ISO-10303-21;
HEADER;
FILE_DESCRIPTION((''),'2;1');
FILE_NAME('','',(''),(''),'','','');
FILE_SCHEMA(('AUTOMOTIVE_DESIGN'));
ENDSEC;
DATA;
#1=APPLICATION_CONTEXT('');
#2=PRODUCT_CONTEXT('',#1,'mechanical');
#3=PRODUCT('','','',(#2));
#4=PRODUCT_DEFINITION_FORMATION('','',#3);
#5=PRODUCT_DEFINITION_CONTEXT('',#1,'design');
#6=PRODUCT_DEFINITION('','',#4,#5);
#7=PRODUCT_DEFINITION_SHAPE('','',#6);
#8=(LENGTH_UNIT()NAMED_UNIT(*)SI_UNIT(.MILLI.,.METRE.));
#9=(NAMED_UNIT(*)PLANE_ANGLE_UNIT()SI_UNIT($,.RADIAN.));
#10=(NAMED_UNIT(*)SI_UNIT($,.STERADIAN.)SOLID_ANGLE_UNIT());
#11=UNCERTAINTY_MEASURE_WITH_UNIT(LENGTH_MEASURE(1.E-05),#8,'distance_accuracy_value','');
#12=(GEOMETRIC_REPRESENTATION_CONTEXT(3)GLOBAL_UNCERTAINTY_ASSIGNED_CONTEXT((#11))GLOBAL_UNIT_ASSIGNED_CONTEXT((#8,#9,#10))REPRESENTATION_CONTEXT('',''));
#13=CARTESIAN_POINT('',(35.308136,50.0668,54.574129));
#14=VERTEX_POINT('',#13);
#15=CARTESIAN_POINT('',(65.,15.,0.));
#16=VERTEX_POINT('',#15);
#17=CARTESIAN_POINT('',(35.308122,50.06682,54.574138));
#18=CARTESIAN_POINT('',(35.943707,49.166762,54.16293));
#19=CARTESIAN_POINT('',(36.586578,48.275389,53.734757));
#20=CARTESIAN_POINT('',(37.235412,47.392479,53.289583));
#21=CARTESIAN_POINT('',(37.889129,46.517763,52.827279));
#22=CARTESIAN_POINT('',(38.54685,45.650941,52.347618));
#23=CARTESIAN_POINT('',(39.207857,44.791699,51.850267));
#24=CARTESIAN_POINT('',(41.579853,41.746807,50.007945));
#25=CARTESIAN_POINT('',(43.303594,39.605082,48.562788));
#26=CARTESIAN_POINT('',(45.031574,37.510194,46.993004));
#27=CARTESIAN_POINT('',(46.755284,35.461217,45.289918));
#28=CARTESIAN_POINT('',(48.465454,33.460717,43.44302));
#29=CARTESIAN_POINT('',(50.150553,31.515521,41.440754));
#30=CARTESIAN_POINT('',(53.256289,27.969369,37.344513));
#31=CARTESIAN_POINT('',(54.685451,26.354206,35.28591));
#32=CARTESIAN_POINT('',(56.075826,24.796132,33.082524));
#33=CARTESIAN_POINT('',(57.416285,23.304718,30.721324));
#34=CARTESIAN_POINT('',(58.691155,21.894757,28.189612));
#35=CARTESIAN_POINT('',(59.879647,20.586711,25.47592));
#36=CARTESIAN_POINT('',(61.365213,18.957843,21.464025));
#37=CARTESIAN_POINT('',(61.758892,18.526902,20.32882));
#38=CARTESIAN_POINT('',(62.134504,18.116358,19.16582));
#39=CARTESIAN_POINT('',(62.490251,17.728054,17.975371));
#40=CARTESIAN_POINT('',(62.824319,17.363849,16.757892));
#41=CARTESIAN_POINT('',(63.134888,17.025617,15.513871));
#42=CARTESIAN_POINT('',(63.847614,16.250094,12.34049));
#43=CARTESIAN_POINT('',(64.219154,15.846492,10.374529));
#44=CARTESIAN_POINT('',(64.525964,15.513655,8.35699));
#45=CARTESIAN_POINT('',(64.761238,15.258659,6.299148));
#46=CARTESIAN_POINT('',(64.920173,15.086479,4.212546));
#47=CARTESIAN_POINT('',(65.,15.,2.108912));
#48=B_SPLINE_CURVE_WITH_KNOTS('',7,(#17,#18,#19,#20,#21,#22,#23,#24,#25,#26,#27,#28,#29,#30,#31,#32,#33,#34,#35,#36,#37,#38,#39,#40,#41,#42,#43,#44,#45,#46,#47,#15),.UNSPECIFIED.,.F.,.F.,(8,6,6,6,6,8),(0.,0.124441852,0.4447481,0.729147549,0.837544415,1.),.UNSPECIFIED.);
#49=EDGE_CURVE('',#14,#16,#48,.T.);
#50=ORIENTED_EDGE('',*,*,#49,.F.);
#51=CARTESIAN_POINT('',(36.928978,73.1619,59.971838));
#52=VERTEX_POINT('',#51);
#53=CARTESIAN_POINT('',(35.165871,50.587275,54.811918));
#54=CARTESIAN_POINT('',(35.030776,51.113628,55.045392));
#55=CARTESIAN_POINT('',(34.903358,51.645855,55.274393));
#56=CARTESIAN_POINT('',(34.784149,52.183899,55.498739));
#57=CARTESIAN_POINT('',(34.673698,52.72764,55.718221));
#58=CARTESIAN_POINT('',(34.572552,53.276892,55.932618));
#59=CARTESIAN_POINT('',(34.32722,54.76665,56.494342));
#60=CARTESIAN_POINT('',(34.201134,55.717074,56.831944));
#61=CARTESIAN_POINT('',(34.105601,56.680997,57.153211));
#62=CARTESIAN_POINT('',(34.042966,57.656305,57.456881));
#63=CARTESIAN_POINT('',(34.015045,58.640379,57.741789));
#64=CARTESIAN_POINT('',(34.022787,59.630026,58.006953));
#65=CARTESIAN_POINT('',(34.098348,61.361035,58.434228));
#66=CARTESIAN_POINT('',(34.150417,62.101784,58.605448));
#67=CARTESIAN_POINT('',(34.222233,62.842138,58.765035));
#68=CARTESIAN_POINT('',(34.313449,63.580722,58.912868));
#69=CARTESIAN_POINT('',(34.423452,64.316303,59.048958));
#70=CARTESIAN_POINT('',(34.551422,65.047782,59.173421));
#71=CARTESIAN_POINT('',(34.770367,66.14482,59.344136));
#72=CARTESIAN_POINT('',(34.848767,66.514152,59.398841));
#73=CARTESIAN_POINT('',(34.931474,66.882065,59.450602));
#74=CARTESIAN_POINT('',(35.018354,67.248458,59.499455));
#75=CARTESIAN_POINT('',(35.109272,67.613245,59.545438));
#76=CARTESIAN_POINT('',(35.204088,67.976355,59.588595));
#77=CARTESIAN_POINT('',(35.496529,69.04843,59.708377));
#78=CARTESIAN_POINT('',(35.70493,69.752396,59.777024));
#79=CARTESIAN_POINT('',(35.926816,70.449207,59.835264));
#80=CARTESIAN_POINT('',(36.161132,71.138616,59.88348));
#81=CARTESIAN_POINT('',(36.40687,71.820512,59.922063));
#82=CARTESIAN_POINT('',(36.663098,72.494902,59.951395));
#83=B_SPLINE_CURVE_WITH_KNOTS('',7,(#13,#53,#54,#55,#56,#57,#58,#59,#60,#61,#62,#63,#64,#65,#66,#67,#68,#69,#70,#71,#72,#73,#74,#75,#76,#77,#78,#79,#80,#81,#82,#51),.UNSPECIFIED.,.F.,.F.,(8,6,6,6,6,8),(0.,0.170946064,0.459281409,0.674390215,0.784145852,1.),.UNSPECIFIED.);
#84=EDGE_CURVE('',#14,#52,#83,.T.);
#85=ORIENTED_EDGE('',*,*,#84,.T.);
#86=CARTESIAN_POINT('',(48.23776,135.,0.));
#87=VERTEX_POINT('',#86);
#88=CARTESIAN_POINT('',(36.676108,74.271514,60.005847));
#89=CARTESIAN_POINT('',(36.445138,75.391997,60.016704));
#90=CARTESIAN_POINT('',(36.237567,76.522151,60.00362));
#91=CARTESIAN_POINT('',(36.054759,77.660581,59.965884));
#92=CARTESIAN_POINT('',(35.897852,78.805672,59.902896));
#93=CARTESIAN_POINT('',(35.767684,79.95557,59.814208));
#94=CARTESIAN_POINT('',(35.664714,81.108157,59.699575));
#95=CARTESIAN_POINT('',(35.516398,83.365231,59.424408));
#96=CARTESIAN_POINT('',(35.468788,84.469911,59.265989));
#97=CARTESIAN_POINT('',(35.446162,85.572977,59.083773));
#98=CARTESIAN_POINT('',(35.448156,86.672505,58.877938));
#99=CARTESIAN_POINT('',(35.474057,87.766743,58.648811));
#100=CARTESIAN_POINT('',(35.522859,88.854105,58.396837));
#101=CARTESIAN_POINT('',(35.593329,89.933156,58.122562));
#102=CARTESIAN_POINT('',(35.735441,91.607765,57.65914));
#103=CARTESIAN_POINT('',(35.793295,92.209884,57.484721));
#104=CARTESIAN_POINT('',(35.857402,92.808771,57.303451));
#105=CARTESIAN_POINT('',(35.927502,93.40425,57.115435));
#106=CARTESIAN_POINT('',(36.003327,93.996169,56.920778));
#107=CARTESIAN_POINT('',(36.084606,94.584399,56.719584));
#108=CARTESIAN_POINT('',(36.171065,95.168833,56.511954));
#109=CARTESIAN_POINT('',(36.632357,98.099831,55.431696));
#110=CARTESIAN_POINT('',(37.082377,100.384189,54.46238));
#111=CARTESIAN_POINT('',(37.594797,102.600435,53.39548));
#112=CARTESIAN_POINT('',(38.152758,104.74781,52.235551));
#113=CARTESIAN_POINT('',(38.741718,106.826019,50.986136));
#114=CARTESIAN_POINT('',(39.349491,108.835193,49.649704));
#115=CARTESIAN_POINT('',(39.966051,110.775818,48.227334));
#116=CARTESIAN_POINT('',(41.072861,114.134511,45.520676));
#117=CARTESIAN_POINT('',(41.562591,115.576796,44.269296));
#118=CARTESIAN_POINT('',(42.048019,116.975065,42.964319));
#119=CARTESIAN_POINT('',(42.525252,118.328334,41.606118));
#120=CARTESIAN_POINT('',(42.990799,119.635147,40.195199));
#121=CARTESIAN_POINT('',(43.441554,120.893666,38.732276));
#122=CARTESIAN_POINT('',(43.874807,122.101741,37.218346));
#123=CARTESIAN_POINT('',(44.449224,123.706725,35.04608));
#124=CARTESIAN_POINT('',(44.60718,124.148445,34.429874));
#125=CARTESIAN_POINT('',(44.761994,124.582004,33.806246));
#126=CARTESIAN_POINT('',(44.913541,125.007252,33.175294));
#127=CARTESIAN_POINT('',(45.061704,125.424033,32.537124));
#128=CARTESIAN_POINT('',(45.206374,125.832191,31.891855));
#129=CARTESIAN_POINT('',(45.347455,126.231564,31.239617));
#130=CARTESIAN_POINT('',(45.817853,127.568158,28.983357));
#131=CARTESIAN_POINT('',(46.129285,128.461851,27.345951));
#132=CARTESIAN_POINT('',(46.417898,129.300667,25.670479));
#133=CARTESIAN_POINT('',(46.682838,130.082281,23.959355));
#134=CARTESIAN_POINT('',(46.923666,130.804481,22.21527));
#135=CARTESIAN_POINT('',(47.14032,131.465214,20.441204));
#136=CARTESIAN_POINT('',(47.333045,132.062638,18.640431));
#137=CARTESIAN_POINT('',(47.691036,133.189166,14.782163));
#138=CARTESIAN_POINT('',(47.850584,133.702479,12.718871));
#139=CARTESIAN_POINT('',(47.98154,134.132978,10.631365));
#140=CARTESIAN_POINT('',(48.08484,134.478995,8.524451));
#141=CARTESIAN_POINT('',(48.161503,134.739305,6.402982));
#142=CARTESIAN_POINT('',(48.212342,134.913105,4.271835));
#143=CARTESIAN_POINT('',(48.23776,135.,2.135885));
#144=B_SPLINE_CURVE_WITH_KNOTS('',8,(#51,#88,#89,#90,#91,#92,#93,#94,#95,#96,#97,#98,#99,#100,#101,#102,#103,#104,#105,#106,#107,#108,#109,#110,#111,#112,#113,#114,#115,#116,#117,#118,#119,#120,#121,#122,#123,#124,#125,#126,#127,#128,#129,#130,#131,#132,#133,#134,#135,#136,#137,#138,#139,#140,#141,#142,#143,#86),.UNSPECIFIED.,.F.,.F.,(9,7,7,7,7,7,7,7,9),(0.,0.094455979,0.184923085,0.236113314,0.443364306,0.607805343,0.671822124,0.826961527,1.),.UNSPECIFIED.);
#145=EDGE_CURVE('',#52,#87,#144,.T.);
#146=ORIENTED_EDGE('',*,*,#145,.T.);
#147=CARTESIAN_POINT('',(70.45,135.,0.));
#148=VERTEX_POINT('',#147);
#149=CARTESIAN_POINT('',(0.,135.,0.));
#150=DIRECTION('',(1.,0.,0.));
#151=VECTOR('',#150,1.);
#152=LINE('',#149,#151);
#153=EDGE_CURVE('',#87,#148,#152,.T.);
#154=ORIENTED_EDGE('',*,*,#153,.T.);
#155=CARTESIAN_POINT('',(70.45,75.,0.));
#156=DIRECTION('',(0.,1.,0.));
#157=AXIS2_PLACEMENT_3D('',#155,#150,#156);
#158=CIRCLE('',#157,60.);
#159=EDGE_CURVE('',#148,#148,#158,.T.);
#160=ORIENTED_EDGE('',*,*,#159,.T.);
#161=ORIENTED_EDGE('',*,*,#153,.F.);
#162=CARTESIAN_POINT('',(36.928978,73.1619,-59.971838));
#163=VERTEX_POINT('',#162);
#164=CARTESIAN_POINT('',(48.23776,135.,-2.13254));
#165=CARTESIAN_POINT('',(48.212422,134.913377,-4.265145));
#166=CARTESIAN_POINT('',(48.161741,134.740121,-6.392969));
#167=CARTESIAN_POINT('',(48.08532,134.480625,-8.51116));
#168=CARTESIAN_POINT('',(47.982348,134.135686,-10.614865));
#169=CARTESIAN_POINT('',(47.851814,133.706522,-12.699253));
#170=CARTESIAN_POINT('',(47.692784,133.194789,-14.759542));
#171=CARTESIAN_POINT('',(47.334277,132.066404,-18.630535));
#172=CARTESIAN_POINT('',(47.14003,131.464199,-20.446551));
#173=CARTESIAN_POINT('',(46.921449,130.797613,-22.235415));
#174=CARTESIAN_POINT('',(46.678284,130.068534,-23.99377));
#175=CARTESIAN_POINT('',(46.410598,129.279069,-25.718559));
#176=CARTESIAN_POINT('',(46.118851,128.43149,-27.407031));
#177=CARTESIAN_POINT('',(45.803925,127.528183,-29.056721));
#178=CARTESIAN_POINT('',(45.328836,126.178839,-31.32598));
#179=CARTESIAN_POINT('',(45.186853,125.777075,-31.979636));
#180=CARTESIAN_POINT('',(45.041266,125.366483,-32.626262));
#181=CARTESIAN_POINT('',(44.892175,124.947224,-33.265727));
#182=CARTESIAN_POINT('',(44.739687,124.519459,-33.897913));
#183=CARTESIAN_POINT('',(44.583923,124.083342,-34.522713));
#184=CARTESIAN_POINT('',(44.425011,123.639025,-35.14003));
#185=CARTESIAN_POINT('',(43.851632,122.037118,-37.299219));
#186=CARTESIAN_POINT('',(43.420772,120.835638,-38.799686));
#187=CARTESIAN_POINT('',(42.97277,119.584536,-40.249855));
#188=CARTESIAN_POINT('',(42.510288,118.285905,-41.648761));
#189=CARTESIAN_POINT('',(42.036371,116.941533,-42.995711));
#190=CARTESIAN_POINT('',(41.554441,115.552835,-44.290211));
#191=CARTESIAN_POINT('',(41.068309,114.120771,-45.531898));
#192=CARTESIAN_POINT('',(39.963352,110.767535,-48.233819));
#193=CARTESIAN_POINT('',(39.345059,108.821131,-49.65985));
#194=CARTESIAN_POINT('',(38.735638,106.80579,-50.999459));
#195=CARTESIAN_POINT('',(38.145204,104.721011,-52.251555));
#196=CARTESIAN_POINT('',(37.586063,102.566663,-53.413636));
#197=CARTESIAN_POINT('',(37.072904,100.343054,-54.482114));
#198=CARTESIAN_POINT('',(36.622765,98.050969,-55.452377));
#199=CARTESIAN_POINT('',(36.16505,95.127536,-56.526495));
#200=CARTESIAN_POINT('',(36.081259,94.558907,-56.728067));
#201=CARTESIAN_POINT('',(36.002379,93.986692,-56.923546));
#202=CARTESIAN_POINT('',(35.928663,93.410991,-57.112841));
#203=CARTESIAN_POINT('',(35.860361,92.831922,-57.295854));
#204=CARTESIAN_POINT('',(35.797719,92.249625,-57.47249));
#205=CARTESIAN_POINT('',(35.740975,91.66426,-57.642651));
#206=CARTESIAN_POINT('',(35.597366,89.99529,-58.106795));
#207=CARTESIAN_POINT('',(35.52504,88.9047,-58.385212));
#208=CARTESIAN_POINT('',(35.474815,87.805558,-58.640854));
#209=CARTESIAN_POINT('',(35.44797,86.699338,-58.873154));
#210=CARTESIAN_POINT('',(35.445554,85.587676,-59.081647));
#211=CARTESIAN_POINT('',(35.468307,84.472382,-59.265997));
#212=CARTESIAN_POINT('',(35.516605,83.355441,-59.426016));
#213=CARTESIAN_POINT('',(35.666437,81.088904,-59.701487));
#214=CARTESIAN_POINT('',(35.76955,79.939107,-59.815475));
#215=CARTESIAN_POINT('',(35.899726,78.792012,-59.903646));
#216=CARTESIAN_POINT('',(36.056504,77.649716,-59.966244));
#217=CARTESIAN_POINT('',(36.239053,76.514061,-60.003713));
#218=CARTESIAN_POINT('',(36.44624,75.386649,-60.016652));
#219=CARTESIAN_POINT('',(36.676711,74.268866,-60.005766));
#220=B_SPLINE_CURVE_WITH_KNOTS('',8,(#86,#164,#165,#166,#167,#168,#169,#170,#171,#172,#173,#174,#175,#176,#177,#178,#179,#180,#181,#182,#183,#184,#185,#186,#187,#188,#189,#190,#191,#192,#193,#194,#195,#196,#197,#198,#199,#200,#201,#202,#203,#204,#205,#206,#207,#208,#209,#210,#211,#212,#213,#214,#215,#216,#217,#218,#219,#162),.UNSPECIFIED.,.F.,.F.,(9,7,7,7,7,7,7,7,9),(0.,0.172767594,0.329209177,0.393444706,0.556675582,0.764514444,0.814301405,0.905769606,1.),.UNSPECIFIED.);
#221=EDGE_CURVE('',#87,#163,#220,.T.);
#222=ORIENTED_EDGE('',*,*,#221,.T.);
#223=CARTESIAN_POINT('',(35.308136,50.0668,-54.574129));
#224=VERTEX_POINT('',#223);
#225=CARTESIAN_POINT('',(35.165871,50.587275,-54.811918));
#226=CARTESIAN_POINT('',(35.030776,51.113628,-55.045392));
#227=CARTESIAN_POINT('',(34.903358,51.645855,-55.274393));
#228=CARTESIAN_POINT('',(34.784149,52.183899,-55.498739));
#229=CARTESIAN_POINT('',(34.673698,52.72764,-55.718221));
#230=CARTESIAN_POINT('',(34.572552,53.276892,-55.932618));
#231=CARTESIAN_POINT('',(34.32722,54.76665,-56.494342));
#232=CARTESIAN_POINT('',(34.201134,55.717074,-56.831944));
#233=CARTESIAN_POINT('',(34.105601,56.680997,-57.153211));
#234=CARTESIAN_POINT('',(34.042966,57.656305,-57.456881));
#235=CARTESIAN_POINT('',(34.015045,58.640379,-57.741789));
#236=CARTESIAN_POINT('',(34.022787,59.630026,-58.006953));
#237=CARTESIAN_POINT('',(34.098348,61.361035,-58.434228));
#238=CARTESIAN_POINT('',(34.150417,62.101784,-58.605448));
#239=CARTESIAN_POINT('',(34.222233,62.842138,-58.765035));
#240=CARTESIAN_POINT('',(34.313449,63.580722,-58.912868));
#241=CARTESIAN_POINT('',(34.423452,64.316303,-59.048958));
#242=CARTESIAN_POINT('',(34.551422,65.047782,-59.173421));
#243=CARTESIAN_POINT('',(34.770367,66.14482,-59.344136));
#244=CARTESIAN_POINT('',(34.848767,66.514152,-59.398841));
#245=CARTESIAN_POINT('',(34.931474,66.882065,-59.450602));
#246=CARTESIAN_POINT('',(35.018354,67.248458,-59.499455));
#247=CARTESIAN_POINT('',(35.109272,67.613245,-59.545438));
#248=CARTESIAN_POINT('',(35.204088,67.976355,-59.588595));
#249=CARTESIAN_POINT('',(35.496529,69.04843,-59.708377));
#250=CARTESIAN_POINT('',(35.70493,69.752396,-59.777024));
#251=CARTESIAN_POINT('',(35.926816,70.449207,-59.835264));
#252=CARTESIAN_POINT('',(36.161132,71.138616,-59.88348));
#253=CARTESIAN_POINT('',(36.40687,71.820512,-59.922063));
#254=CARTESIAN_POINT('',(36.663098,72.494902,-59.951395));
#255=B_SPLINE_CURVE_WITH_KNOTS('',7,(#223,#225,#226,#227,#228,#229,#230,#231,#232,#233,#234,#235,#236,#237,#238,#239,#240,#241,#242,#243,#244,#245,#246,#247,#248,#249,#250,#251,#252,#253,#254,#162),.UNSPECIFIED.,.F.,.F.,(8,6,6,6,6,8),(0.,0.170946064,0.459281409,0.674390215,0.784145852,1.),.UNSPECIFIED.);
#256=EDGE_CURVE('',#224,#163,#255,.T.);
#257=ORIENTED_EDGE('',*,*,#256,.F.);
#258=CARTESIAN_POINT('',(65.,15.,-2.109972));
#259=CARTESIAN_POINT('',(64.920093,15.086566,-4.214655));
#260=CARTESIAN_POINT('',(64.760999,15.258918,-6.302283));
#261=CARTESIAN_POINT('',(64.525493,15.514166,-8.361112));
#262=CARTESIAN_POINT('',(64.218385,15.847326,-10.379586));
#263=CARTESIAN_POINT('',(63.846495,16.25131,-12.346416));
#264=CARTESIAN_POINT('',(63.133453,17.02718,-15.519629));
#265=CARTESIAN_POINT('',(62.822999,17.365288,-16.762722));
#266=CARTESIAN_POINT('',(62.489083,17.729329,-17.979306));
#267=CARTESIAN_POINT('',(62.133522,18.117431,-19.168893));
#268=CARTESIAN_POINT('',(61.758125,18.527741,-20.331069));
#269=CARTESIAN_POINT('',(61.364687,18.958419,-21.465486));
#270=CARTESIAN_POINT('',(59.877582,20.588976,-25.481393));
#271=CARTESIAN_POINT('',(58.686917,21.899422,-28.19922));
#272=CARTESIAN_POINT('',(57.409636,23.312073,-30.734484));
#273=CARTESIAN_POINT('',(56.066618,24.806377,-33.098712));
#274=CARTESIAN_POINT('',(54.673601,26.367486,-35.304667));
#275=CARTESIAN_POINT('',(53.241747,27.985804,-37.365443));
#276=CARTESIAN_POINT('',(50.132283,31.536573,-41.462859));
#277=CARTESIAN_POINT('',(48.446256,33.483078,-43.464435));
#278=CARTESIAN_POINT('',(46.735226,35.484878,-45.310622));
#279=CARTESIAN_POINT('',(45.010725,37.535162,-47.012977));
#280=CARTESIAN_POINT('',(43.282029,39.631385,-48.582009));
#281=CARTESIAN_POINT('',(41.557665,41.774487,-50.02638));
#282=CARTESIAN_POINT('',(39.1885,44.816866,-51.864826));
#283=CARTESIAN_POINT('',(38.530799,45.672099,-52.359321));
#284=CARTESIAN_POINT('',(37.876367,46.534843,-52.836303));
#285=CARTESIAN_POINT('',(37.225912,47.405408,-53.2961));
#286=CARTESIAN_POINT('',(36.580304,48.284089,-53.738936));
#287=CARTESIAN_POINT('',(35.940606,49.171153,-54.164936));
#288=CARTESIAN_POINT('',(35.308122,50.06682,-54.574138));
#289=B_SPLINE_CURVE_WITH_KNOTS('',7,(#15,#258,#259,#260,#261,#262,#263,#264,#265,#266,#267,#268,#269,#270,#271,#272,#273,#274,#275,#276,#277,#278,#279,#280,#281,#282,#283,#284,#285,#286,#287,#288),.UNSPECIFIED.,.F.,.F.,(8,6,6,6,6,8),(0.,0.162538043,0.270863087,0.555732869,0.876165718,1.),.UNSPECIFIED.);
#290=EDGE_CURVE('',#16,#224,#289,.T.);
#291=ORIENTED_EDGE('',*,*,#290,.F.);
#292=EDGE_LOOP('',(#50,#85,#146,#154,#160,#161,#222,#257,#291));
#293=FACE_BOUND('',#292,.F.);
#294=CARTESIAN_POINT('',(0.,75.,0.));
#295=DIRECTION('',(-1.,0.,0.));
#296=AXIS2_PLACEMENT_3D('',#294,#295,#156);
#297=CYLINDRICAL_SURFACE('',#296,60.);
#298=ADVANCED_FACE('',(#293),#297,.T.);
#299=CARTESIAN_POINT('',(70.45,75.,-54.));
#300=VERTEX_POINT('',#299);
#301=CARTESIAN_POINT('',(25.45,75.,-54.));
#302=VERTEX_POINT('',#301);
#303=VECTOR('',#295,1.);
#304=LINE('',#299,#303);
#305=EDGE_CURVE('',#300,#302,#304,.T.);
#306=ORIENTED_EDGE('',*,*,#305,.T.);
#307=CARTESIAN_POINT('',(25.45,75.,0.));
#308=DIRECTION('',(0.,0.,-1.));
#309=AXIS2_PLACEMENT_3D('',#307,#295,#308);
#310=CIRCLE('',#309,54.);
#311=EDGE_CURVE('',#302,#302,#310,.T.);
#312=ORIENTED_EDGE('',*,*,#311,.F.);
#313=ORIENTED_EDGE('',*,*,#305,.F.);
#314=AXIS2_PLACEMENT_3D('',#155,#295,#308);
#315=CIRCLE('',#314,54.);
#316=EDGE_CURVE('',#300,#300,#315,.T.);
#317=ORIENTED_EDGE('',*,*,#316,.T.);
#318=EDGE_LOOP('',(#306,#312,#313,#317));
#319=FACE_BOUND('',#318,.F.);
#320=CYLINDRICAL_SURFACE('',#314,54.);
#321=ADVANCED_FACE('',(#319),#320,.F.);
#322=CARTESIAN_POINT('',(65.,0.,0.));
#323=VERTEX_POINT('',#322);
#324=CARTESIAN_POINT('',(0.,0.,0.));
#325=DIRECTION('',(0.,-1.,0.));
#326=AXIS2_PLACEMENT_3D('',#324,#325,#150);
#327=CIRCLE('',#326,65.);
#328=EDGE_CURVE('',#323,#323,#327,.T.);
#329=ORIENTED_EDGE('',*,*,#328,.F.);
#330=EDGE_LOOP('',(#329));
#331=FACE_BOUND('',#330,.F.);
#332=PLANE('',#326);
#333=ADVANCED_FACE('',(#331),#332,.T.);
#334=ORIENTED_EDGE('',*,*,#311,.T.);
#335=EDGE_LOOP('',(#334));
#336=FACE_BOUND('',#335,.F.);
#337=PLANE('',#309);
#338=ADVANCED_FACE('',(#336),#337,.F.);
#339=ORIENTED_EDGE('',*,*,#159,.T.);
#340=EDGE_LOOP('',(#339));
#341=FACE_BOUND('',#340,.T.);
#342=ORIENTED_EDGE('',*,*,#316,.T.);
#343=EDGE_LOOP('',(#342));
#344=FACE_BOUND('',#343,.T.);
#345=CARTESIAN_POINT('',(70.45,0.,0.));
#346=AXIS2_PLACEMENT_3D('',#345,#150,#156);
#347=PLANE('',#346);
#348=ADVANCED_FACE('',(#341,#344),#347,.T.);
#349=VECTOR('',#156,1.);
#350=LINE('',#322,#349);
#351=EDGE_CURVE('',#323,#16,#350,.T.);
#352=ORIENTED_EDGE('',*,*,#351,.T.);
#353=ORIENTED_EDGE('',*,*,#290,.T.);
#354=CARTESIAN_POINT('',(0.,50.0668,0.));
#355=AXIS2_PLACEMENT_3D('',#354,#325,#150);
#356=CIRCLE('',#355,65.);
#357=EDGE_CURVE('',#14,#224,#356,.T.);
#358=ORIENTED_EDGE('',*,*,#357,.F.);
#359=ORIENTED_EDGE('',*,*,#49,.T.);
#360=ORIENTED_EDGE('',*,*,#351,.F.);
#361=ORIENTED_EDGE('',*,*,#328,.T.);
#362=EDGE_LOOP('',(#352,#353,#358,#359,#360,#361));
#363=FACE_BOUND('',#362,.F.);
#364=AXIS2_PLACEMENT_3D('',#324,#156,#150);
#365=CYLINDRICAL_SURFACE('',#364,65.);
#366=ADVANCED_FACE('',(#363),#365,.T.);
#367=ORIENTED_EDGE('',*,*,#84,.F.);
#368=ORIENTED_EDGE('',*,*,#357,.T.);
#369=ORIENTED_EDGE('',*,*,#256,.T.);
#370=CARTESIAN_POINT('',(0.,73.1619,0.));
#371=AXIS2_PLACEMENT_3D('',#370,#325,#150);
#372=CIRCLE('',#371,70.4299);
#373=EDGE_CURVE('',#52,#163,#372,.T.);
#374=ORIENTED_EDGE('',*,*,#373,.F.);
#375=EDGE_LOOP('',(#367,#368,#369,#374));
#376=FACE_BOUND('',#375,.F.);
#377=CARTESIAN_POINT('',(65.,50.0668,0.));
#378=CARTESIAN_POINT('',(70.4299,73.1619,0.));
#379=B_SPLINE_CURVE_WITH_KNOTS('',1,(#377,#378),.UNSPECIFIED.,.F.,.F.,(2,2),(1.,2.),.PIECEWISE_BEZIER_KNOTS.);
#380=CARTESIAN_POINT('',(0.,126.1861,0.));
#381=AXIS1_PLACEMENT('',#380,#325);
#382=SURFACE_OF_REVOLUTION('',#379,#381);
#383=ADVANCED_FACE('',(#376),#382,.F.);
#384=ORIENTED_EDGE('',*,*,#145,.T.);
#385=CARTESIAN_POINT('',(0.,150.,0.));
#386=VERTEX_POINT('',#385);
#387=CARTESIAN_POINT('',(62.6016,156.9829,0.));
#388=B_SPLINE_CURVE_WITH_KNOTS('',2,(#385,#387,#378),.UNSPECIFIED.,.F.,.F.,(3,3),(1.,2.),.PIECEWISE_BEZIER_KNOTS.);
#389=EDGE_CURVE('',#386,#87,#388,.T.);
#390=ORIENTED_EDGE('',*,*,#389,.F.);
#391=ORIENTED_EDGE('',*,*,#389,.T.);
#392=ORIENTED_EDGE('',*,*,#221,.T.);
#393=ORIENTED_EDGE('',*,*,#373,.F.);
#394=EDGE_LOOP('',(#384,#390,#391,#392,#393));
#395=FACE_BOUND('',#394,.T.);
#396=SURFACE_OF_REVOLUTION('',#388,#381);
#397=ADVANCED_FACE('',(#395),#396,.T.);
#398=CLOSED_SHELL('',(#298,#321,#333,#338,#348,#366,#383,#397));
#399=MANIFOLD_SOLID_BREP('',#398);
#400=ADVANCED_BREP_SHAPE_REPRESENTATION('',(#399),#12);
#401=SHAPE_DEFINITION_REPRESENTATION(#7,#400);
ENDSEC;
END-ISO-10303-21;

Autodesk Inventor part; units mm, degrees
ref_plane "YZ Plane" through (0, 0, 0) normal (1, 0, 0) x (0, 1, 0)
ref_plane "XZ Plane" through (0, 0, 0) normal (0, 1, 0) x (-1, 0, 0)
ref_plane "XY Plane" through (0, 0, 0) normal (0, 0, 1) x (1, 0, 0)
sketch "Sketch1" plane through (0, 0, 0) normal (0, 0, 1) x (1, 0, 0)
  line L0 (0, 0) -> (65, 0)
  line L1 (0, 126.1861) -> (0, 150)
  line L2 (0, 18.2402) -> (0, 0)
  line L3 (0, 126.1861) -> (0, 18.2402)
  line L4 (65, 0) -> (65, 50.0668)
  line L5 (0, 150) -> (62.6016, 156.9829) construction
  line L6 (62.6016, 156.9829) -> (70.4299, 73.1619) construction
  spline S0 degree 2 poles (0, 150) (62.6016, 156.9829) (70.4299, 73.1619) knots 1 1 1 2 2 2
  line L7 (65, 50.0668) -> (70.4299, 73.1619) construction
  spline S1 degree 1 poles (65, 50.0668) (70.4299, 73.1619) knots 1 1 2 2
  point P0 (84.7515, 38.5438)
  dimension "d1" = 65
  dimension "d2" = 150
revolve "Revolution1" add sketch "Sketch1" angle 360 about axis through (0, 126.1861, 0) along (0, -1, 0)
sketch "Sketch2" plane through (0, 0, 0) normal (1, 0, 0) x (0, 1, 0)
  line L0 (0, 75) -> (0, -75) projected
  circle A0 centre (75, 0) radius 60
  point P0 (0, 0)
  point P1 (150, 0)
  dimension "d4" = 120
  dimension "d25" = 75
extrude "Extrusion1" add sketch "Sketch2" along normal blind 70.45
hole "Hole1" at (70.45, 75, 0) direction (-1, 0, 0) diameter 108 depth 45
properties part number "tete2"
